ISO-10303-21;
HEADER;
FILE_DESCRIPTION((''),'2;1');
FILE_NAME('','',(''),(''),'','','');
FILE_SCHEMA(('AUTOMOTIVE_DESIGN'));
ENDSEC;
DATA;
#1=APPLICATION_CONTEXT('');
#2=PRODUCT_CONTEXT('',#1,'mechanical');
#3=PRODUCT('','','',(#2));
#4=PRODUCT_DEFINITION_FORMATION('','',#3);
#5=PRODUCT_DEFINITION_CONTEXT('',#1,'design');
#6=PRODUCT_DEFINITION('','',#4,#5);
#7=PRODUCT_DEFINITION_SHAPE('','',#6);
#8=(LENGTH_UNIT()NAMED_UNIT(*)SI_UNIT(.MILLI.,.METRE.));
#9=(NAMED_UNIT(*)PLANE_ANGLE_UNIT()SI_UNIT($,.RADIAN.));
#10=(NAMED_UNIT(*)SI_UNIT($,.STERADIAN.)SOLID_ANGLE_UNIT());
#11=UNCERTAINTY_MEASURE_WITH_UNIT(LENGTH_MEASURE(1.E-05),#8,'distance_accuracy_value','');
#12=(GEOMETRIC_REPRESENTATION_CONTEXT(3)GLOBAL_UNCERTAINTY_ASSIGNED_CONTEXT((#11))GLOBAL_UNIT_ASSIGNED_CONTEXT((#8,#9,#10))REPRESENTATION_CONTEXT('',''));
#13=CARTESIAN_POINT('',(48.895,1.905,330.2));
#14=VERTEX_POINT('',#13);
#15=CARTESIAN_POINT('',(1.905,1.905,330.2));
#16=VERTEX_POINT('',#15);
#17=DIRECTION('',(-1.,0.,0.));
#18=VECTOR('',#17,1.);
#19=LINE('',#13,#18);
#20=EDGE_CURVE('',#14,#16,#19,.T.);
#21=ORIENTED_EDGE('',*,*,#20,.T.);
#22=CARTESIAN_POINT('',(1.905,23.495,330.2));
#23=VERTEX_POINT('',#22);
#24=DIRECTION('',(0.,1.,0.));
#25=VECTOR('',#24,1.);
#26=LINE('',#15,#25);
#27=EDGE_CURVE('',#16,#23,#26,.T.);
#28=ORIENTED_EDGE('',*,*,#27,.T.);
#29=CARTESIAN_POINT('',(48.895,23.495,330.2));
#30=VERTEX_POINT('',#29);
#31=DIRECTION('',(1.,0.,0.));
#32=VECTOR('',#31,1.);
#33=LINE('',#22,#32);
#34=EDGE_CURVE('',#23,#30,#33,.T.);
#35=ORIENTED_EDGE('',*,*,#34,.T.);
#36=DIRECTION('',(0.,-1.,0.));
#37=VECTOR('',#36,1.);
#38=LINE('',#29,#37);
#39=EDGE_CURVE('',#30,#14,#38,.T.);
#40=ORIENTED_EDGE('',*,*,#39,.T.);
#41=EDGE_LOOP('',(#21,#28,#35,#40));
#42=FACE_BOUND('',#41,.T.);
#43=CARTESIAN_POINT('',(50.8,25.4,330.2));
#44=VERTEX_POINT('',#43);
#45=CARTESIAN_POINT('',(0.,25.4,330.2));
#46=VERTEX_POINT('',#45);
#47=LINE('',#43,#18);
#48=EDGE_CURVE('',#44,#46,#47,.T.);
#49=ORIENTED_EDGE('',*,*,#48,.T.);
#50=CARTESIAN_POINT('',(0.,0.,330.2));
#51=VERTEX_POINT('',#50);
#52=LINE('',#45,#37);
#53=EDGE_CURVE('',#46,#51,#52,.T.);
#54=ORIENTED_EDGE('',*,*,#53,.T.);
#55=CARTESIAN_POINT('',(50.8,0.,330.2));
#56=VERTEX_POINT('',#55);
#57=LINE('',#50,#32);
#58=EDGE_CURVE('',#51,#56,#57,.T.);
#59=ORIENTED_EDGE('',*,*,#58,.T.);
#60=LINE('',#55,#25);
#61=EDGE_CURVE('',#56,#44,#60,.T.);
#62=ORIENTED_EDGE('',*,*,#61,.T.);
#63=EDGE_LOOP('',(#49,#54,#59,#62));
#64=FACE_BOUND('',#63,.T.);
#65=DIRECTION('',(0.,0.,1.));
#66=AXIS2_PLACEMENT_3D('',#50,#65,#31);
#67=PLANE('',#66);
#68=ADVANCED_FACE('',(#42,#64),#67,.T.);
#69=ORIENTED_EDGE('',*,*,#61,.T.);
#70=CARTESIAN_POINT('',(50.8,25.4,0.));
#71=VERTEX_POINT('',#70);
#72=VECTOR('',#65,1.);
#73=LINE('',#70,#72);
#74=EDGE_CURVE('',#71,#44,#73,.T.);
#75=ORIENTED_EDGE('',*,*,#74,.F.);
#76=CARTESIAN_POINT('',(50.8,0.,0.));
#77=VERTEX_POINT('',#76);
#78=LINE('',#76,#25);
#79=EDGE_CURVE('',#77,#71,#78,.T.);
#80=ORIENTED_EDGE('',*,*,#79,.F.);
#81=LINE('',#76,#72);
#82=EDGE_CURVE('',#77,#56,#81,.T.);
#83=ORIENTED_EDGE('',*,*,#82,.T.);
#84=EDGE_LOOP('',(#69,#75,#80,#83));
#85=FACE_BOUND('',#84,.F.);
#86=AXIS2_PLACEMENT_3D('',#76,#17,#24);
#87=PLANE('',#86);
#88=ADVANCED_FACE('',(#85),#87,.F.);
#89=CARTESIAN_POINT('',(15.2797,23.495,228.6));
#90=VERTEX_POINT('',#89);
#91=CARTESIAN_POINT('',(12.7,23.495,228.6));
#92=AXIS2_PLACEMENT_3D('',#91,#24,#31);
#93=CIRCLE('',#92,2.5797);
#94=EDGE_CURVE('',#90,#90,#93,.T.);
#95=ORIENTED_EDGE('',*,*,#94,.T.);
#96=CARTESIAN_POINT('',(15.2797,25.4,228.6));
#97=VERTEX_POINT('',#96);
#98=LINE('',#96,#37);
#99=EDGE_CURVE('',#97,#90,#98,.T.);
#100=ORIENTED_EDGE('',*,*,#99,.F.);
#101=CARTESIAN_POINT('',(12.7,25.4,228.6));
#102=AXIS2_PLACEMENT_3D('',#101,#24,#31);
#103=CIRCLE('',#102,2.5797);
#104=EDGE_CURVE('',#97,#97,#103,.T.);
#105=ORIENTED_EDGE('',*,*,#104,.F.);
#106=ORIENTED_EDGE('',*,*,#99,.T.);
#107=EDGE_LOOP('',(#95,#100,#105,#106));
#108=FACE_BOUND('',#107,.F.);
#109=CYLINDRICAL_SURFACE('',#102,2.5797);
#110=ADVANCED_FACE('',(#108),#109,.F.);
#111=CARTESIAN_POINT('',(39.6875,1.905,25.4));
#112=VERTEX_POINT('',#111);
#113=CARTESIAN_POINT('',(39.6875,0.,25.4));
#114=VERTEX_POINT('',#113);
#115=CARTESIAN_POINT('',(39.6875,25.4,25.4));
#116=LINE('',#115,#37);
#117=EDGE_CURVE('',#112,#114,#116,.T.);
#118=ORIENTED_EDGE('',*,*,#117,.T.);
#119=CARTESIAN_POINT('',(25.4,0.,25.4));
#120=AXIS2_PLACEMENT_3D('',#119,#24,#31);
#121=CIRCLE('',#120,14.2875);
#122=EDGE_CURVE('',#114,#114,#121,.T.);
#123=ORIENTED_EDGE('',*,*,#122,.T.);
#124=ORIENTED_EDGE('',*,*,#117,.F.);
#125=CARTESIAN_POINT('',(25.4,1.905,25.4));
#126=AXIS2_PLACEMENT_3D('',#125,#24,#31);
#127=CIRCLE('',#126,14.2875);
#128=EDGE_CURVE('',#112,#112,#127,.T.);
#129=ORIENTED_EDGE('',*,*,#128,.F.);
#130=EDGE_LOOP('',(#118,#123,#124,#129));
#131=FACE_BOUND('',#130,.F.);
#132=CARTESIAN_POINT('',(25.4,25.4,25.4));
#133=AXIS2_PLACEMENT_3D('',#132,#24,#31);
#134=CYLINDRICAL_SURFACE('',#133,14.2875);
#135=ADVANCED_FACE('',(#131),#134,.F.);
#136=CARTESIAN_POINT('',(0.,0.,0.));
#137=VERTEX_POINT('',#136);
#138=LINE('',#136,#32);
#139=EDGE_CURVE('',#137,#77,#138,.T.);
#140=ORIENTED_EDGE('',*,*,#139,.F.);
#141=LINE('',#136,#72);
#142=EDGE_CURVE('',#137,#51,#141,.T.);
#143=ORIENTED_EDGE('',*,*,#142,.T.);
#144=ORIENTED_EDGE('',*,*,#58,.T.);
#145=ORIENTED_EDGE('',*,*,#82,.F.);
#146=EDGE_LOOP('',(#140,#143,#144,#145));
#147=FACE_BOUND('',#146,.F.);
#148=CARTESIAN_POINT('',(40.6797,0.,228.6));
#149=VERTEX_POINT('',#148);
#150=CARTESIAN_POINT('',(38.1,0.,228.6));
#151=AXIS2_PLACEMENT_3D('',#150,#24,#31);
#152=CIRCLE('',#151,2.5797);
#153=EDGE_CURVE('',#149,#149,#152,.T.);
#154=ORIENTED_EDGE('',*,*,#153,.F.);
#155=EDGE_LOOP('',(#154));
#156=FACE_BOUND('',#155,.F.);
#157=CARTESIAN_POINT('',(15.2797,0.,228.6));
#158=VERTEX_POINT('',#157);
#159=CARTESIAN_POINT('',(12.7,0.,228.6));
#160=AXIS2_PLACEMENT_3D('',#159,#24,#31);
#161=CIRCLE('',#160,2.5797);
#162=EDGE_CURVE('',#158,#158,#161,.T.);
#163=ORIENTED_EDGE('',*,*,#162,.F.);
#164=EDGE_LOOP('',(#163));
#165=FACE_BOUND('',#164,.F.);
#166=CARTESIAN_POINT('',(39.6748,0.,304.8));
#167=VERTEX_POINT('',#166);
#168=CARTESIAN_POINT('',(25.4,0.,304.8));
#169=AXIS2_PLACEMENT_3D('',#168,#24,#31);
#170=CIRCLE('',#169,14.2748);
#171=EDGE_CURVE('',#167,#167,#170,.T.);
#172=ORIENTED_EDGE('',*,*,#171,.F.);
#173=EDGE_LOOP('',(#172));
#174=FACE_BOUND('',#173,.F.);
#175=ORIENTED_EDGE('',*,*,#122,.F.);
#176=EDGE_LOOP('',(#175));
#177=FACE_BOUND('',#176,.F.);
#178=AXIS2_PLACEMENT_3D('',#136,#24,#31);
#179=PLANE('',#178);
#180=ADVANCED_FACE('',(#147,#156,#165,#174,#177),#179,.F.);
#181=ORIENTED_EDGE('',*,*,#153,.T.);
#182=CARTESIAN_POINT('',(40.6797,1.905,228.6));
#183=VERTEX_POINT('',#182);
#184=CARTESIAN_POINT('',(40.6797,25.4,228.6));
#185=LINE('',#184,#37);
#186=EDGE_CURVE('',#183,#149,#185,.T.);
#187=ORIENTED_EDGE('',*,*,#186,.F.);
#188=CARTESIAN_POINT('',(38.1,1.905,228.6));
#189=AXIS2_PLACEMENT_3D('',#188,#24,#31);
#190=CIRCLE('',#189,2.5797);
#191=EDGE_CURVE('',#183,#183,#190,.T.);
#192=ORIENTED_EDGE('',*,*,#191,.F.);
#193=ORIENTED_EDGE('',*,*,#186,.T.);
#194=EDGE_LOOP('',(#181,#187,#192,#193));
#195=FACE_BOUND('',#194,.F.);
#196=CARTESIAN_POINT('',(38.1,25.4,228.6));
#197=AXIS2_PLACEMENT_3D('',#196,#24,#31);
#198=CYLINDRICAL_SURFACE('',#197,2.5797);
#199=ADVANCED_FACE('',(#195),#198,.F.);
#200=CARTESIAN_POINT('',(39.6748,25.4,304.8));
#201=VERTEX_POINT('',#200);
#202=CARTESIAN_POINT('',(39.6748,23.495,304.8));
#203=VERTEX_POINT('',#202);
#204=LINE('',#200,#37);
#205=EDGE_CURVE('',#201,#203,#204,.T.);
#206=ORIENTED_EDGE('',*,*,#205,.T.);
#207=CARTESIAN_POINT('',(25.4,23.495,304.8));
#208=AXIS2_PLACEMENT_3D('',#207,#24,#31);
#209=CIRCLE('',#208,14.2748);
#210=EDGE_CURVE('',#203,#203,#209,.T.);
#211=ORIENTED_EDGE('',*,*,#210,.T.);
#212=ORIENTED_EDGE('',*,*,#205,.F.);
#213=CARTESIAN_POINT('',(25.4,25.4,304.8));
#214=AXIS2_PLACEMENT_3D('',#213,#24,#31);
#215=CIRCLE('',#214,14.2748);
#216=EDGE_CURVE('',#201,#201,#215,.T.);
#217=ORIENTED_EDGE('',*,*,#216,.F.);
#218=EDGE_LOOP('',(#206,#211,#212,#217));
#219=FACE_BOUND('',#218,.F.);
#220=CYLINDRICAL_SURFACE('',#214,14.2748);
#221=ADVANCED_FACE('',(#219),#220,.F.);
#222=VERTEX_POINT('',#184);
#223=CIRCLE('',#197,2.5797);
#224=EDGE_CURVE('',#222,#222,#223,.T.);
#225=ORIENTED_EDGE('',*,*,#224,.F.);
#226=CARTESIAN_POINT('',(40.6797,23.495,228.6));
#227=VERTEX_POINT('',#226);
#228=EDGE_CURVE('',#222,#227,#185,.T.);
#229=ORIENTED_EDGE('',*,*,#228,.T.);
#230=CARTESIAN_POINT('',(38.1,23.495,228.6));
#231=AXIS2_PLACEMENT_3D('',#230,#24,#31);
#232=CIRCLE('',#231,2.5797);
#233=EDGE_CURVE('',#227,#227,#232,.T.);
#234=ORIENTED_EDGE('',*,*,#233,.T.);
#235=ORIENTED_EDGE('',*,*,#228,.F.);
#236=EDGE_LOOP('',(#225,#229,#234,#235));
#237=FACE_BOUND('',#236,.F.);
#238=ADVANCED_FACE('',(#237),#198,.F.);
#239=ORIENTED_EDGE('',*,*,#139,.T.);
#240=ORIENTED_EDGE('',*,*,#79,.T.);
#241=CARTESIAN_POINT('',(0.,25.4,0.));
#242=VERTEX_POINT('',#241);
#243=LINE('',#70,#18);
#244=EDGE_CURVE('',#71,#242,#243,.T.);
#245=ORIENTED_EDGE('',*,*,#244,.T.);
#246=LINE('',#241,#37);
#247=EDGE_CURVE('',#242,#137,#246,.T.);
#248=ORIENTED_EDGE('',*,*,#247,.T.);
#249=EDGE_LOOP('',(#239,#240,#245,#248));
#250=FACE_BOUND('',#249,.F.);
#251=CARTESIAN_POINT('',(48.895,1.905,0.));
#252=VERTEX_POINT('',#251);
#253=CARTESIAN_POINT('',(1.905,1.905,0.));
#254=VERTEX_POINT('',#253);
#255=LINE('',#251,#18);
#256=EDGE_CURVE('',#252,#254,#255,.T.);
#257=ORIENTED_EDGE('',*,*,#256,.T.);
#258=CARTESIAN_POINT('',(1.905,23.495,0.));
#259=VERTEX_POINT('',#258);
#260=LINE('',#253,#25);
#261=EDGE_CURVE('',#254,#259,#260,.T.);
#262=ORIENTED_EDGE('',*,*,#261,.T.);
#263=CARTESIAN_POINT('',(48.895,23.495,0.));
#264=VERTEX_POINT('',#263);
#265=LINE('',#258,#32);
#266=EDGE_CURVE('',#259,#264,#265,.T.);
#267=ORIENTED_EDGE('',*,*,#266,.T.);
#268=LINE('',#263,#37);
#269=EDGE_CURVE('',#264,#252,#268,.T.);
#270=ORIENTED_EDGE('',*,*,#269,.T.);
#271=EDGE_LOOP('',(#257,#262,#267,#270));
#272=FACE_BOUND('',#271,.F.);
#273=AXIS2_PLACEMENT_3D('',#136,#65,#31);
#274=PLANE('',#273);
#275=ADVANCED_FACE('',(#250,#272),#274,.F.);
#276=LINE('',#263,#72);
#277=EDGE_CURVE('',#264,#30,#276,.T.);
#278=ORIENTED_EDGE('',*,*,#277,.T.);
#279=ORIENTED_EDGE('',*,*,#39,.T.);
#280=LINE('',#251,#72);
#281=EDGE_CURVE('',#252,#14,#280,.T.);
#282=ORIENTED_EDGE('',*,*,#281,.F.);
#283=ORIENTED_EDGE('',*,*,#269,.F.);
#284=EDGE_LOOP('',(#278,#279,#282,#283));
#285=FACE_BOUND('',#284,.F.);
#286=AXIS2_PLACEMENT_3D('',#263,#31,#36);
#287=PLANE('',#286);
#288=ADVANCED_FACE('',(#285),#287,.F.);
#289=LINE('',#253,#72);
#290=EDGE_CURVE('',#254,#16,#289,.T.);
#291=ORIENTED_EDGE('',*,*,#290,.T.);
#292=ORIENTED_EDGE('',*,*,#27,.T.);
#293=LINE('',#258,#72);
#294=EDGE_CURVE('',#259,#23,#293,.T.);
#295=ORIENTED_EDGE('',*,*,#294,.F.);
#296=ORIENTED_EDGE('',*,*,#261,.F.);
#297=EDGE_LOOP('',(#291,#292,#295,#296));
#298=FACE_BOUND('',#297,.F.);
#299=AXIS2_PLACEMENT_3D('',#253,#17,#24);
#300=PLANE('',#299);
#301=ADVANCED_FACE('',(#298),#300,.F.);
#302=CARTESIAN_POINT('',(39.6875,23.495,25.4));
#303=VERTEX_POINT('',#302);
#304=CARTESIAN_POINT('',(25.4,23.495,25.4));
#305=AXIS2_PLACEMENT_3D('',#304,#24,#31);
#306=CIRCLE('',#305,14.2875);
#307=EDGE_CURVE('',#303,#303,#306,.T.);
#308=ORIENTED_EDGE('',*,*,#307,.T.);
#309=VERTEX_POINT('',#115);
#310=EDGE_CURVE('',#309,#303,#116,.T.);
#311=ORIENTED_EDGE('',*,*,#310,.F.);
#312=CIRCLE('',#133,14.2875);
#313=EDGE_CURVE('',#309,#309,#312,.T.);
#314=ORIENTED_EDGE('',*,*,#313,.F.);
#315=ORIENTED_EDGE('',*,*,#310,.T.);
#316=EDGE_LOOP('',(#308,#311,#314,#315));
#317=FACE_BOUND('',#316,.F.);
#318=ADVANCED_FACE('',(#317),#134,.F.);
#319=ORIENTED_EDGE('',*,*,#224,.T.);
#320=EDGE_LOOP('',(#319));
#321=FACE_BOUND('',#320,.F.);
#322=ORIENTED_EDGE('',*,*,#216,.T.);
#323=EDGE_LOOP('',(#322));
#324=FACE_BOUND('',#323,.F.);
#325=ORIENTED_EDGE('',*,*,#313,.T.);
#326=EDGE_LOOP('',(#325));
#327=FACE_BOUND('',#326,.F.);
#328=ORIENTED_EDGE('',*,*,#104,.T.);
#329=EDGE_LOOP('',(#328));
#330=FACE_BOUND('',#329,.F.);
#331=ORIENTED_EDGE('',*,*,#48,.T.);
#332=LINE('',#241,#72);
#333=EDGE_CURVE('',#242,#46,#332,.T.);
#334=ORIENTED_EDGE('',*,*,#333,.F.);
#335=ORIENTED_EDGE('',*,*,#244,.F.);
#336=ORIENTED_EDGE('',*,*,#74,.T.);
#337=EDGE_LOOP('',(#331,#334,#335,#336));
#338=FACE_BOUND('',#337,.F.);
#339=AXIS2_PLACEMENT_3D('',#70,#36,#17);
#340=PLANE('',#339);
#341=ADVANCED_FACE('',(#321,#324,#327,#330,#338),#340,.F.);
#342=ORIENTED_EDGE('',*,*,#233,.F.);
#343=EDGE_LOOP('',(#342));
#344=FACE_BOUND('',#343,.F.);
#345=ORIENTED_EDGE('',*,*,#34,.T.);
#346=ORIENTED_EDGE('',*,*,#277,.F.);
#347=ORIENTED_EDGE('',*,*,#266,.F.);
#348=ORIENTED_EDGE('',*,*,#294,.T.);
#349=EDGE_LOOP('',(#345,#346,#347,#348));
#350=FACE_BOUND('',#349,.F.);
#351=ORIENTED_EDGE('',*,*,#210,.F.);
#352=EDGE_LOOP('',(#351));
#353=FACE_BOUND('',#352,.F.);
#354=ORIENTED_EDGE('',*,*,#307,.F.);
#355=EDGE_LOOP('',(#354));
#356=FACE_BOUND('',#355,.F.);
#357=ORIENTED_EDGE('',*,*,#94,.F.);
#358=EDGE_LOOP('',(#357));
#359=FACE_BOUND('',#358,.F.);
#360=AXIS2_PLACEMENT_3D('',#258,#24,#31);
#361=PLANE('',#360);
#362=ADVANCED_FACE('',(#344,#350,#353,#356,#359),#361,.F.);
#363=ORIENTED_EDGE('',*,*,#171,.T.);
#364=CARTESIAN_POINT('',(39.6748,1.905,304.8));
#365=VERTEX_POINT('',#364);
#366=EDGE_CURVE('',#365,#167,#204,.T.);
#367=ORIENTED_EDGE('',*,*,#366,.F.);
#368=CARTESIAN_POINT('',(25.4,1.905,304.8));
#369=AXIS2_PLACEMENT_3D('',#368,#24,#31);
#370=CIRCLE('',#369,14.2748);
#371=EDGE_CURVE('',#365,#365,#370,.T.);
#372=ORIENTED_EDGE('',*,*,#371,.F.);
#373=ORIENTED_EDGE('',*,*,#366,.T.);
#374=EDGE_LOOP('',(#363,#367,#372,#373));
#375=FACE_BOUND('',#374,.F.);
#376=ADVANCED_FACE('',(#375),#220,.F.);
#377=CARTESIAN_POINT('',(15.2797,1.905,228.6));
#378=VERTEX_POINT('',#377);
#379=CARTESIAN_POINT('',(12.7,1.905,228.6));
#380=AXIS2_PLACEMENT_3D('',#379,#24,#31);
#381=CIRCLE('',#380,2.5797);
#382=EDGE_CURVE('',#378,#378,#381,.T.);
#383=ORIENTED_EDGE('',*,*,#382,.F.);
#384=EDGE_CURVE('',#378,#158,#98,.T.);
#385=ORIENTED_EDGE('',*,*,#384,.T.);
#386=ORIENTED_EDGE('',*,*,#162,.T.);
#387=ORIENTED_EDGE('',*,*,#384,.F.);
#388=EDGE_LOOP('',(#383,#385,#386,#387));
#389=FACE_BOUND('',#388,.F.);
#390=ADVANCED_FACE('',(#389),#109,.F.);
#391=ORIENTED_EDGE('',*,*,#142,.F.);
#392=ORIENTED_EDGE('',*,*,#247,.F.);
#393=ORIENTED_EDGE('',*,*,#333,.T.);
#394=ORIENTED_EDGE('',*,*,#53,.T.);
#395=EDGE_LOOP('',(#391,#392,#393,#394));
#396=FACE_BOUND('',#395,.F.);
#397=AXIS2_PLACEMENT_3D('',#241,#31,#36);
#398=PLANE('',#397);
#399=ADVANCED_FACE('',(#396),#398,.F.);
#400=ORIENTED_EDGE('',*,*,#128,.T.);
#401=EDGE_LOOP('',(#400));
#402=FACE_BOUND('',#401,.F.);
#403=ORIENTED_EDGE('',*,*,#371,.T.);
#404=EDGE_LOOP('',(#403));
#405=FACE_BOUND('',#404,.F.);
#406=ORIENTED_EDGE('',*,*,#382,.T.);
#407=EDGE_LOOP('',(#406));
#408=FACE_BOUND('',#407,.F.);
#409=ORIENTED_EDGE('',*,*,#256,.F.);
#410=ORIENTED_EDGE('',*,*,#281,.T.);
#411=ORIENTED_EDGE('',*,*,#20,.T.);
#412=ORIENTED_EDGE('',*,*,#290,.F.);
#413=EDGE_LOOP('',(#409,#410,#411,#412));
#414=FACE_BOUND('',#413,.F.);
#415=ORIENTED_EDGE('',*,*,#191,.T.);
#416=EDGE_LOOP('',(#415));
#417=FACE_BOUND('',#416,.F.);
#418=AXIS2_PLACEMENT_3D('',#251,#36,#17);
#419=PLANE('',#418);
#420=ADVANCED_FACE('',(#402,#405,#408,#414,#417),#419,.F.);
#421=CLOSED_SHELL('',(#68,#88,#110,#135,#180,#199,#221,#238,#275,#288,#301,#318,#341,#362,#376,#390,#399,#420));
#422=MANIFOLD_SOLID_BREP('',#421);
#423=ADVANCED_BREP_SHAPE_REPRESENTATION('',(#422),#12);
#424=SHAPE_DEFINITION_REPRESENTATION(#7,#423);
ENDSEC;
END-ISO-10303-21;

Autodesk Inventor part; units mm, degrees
ref_plane "YZ Plane" through (0, 0, 0) normal (1, 0, 0) x (0, 1, 0)
ref_plane "XZ Plane" through (0, 0, 0) normal (0, 1, 0) x (-1, 0, 0)
ref_plane "XY Plane" through (0, 0, 0) normal (0, 0, 1) x (1, 0, 0)
sketch "Sketch1" plane through (0, 0, 0) normal (0, 0, 1) x (1, 0, 0)
  line L0 (0, 0) -> (50.8, 0)
  line L1 (50.8, 0) -> (50.8, 25.4)
  line L2 (50.8, 25.4) -> (0, 25.4)
  line L3 (0, 25.4) -> (0, 0)
  line L4 (1.905, 23.495) -> (48.895, 23.495)
  line L5 (48.895, 23.495) -> (48.895, 1.905)
  line L6 (48.895, 1.905) -> (1.905, 1.905)
  line L7 (1.905, 1.905) -> (1.905, 23.495)
  dimension "d0" = 50.8
  dimension "d1" = 25.4
  dimension "d2" = 1.905
extrude "Extrusion1" add sketch "Sketch1" along normal blind 330.2
sketch "Sketch2" plane through (0, 25.4, 0) normal (0, 1, 0) x (1, 0, 0)
  line L0 (1.905, -330.2) -> (48.895, -330.2) construction
  line L1 (25.4, -330.2) -> (25.4, -304.8) construction
  line L2 (25.4, -304.8) -> (25.4, -228.6) construction
  line L3 (50.8, 0) -> (0, 0) construction
  line L4 (25.4, 0) -> (25.4, -25.4) construction
  circle A0 centre (25.4, -304.8) radius 14.2748
  circle A1 centre (25.4, -25.4) radius 14.2875
  line L5 (25.4, -228.6) -> (12.7, -228.6) construction
  line L6 (12.7, -228.6) -> (25.4, -228.6) construction
  line L7 (25.4, -228.6) -> (38.1, -228.6) construction
  circle A2 centre (12.7, -228.6) radius 2.5797
  circle A3 centre (38.1, -228.6) radius 2.5797
  dimension "d5" = 25.4
  dimension "d6" = 76.2
  dimension "d7" = 25.4
  dimension "d8" = 28.5496
  dimension "d9" = 28.575
  dimension "d10" = 12.7
  dimension "d11" = 12.7
  dimension "d12" = 5.1594
  dimension "d13" = 5.1594
extrude "Extrusion2" cut sketch "Sketch2" against normal blind 355.6
properties part number "arm"
